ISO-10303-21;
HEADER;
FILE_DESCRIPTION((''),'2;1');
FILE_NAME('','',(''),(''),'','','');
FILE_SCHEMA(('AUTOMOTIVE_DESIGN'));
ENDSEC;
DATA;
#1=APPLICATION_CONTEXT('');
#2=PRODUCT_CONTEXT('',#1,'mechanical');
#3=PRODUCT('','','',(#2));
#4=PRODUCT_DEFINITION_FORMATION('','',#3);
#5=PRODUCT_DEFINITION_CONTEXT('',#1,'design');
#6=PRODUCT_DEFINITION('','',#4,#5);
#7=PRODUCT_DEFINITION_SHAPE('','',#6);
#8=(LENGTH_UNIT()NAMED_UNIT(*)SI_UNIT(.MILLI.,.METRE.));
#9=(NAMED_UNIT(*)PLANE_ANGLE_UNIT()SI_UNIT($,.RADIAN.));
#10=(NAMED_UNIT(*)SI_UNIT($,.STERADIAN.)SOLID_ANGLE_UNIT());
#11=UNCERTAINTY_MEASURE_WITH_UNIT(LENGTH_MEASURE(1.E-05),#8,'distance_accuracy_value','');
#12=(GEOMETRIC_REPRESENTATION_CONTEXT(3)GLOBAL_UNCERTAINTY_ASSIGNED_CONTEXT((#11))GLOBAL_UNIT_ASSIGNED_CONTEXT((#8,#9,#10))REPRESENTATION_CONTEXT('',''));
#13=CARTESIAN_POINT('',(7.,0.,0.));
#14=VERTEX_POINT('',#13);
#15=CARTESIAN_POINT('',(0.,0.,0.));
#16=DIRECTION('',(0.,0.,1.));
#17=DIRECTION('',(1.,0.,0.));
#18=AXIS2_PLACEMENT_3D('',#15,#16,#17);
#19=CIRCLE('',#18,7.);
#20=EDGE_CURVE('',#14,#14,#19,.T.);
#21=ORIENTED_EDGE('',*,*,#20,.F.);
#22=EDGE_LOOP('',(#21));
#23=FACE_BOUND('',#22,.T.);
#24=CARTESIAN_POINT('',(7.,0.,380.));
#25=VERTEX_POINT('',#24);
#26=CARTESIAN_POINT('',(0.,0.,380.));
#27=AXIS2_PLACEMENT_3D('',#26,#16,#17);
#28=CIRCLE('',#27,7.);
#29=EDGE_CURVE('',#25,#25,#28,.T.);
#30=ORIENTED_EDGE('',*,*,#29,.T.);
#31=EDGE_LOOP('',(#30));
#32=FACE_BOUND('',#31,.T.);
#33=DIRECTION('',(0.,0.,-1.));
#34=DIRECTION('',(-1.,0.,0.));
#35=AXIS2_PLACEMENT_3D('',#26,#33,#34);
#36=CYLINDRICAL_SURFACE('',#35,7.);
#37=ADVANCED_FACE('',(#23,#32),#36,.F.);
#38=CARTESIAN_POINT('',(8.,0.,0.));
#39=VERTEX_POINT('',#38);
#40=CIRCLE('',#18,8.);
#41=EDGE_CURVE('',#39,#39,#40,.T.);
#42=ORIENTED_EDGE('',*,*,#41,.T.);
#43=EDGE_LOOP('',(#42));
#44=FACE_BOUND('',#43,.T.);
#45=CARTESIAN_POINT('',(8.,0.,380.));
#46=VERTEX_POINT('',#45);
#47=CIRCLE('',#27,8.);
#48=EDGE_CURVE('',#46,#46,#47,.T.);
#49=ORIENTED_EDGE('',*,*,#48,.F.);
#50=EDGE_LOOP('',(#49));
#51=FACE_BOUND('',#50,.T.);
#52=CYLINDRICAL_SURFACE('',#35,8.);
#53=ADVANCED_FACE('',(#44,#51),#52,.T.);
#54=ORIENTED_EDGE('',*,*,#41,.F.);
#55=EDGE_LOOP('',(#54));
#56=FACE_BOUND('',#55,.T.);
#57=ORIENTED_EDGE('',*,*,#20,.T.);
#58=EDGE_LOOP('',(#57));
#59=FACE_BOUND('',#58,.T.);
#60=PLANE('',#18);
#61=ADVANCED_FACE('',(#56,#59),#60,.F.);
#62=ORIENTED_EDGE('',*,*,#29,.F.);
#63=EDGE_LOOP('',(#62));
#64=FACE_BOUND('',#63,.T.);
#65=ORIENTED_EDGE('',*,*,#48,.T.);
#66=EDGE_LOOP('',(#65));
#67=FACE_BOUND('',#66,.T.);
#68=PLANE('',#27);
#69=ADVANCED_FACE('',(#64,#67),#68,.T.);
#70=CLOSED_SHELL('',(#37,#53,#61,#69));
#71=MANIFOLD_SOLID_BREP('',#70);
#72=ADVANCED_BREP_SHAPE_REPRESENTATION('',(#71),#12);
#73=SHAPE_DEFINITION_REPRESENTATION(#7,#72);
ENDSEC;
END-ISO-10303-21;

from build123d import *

# Parameters (mm, degrees)
IZIM1_R                     = 8
IZIM1_R_2                   = 7
Y_KSEKLIK_EKSTR_ZYON1_DEPTH = 380


with BuildPart() as part:
    # Çizim1 → Yükseklik-Ekstrüzyon1 (new body)
    with BuildSketch(Plane.XY):
        Circle(IZIM1_R)
        Circle(IZIM1_R_2, mode=Mode.SUBTRACT)
    extrude(amount=Y_KSEKLIK_EKSTR_ZYON1_DEPTH)


solid = part.part
